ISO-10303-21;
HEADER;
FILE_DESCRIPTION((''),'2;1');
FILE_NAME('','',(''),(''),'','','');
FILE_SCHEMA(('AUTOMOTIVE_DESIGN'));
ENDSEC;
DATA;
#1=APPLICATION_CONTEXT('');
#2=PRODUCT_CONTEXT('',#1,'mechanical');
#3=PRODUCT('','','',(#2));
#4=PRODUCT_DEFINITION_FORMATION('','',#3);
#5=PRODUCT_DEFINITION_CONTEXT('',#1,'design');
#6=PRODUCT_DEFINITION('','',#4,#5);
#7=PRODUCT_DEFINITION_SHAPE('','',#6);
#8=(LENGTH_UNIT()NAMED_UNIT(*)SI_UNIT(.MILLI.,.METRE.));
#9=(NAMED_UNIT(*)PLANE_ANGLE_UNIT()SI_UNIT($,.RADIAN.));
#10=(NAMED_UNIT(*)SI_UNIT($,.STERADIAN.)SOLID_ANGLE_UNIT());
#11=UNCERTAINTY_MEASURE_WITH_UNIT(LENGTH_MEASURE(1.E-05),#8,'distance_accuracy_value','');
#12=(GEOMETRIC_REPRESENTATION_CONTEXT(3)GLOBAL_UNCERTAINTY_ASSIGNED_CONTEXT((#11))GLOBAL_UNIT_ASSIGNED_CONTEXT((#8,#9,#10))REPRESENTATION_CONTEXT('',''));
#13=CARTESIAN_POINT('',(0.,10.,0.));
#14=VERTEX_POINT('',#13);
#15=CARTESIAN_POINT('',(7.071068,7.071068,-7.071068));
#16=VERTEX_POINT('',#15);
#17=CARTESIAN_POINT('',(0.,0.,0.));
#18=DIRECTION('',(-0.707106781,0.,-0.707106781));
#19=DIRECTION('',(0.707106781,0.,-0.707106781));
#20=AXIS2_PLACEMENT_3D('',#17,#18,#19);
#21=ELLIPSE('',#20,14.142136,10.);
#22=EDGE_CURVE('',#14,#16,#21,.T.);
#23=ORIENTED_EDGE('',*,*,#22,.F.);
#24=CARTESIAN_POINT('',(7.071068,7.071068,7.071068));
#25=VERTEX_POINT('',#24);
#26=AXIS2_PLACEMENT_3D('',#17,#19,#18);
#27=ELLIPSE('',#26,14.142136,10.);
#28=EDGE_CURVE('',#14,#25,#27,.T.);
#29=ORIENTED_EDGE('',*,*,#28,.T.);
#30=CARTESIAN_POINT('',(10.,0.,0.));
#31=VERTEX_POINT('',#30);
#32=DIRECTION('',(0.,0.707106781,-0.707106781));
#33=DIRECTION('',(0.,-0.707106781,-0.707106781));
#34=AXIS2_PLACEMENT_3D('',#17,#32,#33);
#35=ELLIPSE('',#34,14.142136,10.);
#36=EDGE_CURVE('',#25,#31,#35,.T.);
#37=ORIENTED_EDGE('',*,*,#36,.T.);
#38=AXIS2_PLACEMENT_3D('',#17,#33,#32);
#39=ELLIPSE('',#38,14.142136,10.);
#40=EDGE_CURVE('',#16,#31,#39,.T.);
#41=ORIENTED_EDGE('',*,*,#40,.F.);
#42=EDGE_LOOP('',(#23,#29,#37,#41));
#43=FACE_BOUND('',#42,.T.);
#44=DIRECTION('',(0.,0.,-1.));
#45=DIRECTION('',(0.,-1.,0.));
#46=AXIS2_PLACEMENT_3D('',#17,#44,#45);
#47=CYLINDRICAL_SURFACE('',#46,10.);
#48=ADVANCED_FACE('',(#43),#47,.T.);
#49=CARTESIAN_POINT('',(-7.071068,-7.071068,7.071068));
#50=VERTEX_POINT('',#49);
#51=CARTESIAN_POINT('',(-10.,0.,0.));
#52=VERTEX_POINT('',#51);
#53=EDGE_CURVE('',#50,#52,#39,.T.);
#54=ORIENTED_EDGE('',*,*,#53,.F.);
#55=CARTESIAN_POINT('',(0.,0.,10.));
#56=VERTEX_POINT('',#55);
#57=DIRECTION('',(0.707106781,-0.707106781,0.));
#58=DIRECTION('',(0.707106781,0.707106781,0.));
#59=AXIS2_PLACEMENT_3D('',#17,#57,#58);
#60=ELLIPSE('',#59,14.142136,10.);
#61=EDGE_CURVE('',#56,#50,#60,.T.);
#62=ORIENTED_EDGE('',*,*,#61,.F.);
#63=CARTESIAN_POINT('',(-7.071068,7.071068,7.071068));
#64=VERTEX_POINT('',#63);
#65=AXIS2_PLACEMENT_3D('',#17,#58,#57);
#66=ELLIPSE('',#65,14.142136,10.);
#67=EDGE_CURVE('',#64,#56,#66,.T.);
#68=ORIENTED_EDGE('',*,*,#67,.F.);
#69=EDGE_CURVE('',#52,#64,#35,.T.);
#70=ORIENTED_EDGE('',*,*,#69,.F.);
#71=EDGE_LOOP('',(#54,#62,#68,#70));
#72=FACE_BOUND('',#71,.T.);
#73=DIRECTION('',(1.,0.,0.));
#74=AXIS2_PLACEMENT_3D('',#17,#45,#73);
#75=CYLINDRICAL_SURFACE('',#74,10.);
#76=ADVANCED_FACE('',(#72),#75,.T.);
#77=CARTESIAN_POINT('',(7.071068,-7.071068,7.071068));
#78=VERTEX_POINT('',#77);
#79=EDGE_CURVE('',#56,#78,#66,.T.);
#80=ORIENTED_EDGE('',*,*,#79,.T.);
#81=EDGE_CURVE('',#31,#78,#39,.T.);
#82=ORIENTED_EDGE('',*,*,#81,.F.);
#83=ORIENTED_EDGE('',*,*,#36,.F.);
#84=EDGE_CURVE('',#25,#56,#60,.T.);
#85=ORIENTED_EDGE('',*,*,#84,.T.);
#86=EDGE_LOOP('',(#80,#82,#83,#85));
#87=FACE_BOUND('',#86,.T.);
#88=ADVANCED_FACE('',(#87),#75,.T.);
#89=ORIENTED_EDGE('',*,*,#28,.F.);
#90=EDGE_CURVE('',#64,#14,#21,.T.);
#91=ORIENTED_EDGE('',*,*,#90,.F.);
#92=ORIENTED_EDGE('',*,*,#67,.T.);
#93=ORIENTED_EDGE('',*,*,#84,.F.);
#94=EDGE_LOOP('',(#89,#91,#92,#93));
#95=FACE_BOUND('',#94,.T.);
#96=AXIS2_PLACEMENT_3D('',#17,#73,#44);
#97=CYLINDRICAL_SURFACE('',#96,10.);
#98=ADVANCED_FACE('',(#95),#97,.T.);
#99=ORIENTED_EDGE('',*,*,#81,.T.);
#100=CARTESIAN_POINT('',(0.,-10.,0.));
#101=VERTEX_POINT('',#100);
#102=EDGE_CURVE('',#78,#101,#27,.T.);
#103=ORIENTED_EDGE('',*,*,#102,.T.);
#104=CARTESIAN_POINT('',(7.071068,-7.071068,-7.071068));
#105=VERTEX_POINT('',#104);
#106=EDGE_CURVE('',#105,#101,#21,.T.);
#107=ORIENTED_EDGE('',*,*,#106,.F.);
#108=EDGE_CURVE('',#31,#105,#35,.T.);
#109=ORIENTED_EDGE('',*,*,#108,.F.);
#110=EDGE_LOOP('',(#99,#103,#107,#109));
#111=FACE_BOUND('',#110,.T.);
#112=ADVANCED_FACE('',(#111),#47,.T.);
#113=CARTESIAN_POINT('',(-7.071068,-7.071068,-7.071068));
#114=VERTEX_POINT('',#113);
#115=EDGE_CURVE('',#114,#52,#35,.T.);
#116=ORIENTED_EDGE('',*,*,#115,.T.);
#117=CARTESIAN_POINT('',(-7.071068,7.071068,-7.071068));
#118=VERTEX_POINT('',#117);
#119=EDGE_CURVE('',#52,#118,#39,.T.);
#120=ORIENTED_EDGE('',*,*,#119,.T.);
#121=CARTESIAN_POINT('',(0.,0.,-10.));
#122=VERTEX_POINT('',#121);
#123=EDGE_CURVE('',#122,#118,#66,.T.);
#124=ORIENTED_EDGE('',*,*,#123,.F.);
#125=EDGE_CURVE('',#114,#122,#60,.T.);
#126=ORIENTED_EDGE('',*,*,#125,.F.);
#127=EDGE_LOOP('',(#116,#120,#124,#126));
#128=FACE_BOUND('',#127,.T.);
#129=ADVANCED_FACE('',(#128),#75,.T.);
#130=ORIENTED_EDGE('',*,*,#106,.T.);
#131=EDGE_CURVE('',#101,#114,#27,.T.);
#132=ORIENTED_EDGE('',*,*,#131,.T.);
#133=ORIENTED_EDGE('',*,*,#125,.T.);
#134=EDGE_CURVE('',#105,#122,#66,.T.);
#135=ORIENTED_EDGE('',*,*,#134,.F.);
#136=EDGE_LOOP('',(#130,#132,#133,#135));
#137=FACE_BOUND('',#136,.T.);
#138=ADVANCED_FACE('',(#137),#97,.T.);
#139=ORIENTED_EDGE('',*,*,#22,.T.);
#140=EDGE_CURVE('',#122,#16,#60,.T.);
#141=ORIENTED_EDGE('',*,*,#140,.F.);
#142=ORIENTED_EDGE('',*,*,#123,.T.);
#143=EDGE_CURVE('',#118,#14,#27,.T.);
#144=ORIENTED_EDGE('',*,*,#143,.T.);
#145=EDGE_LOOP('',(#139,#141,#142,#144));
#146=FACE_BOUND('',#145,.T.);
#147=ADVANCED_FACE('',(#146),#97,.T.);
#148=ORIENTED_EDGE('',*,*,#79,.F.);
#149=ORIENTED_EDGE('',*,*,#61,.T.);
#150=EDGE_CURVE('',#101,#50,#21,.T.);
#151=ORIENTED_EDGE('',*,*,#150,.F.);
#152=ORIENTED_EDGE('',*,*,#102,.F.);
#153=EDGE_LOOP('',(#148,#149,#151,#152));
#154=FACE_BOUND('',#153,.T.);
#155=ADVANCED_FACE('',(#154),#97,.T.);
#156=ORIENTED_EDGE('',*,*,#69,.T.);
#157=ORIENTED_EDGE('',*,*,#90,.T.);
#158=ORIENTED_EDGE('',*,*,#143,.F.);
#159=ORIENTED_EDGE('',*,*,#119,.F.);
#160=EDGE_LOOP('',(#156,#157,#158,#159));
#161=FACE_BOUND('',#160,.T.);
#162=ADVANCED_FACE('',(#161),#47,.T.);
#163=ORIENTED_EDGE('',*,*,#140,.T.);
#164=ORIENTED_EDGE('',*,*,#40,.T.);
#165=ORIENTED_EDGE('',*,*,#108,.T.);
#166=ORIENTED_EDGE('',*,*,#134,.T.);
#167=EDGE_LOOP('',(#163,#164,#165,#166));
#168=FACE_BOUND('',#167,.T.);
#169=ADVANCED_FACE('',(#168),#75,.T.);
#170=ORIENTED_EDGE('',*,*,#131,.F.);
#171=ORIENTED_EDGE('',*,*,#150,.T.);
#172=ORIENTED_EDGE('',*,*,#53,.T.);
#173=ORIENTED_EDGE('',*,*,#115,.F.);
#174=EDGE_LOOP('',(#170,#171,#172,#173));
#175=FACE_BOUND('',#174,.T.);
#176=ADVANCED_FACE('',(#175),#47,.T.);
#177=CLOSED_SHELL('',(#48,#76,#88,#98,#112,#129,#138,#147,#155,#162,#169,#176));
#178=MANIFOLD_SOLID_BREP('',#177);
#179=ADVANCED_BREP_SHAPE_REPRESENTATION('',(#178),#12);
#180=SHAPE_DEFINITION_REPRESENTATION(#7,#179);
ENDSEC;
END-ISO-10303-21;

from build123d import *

# Parameters (mm, degrees)
F0_R     = 10
F1_DEPTH = 38.1
F4_COUNT = 3


with BuildPart() as f1:
    # F0 (on Front) → F1 (new body, symmetric)
    with BuildSketch(Plane.XZ):
        Circle(F0_R)
    extrude(amount=F1_DEPTH, both=True)


with BuildPart() as f4_1:
    # F4: instance of F1
    add(f1.part.rotate(Axis((-10, 10, 10), (-0.5773502692, 0.5773502692, 0.5773502692)), 1 * 360 / F4_COUNT))


with BuildPart() as f4_2:
    # F4: instance of F1
    add(f1.part.rotate(Axis((-10, 10, 10), (-0.5773502692, 0.5773502692, 0.5773502692)), 2 * 360 / F4_COUNT))

    # F5: intersect F4_1, F1
    add(f4_1.part, mode=Mode.INTERSECT)
    add(f1.part, mode=Mode.INTERSECT)


solid = f4_2.part
